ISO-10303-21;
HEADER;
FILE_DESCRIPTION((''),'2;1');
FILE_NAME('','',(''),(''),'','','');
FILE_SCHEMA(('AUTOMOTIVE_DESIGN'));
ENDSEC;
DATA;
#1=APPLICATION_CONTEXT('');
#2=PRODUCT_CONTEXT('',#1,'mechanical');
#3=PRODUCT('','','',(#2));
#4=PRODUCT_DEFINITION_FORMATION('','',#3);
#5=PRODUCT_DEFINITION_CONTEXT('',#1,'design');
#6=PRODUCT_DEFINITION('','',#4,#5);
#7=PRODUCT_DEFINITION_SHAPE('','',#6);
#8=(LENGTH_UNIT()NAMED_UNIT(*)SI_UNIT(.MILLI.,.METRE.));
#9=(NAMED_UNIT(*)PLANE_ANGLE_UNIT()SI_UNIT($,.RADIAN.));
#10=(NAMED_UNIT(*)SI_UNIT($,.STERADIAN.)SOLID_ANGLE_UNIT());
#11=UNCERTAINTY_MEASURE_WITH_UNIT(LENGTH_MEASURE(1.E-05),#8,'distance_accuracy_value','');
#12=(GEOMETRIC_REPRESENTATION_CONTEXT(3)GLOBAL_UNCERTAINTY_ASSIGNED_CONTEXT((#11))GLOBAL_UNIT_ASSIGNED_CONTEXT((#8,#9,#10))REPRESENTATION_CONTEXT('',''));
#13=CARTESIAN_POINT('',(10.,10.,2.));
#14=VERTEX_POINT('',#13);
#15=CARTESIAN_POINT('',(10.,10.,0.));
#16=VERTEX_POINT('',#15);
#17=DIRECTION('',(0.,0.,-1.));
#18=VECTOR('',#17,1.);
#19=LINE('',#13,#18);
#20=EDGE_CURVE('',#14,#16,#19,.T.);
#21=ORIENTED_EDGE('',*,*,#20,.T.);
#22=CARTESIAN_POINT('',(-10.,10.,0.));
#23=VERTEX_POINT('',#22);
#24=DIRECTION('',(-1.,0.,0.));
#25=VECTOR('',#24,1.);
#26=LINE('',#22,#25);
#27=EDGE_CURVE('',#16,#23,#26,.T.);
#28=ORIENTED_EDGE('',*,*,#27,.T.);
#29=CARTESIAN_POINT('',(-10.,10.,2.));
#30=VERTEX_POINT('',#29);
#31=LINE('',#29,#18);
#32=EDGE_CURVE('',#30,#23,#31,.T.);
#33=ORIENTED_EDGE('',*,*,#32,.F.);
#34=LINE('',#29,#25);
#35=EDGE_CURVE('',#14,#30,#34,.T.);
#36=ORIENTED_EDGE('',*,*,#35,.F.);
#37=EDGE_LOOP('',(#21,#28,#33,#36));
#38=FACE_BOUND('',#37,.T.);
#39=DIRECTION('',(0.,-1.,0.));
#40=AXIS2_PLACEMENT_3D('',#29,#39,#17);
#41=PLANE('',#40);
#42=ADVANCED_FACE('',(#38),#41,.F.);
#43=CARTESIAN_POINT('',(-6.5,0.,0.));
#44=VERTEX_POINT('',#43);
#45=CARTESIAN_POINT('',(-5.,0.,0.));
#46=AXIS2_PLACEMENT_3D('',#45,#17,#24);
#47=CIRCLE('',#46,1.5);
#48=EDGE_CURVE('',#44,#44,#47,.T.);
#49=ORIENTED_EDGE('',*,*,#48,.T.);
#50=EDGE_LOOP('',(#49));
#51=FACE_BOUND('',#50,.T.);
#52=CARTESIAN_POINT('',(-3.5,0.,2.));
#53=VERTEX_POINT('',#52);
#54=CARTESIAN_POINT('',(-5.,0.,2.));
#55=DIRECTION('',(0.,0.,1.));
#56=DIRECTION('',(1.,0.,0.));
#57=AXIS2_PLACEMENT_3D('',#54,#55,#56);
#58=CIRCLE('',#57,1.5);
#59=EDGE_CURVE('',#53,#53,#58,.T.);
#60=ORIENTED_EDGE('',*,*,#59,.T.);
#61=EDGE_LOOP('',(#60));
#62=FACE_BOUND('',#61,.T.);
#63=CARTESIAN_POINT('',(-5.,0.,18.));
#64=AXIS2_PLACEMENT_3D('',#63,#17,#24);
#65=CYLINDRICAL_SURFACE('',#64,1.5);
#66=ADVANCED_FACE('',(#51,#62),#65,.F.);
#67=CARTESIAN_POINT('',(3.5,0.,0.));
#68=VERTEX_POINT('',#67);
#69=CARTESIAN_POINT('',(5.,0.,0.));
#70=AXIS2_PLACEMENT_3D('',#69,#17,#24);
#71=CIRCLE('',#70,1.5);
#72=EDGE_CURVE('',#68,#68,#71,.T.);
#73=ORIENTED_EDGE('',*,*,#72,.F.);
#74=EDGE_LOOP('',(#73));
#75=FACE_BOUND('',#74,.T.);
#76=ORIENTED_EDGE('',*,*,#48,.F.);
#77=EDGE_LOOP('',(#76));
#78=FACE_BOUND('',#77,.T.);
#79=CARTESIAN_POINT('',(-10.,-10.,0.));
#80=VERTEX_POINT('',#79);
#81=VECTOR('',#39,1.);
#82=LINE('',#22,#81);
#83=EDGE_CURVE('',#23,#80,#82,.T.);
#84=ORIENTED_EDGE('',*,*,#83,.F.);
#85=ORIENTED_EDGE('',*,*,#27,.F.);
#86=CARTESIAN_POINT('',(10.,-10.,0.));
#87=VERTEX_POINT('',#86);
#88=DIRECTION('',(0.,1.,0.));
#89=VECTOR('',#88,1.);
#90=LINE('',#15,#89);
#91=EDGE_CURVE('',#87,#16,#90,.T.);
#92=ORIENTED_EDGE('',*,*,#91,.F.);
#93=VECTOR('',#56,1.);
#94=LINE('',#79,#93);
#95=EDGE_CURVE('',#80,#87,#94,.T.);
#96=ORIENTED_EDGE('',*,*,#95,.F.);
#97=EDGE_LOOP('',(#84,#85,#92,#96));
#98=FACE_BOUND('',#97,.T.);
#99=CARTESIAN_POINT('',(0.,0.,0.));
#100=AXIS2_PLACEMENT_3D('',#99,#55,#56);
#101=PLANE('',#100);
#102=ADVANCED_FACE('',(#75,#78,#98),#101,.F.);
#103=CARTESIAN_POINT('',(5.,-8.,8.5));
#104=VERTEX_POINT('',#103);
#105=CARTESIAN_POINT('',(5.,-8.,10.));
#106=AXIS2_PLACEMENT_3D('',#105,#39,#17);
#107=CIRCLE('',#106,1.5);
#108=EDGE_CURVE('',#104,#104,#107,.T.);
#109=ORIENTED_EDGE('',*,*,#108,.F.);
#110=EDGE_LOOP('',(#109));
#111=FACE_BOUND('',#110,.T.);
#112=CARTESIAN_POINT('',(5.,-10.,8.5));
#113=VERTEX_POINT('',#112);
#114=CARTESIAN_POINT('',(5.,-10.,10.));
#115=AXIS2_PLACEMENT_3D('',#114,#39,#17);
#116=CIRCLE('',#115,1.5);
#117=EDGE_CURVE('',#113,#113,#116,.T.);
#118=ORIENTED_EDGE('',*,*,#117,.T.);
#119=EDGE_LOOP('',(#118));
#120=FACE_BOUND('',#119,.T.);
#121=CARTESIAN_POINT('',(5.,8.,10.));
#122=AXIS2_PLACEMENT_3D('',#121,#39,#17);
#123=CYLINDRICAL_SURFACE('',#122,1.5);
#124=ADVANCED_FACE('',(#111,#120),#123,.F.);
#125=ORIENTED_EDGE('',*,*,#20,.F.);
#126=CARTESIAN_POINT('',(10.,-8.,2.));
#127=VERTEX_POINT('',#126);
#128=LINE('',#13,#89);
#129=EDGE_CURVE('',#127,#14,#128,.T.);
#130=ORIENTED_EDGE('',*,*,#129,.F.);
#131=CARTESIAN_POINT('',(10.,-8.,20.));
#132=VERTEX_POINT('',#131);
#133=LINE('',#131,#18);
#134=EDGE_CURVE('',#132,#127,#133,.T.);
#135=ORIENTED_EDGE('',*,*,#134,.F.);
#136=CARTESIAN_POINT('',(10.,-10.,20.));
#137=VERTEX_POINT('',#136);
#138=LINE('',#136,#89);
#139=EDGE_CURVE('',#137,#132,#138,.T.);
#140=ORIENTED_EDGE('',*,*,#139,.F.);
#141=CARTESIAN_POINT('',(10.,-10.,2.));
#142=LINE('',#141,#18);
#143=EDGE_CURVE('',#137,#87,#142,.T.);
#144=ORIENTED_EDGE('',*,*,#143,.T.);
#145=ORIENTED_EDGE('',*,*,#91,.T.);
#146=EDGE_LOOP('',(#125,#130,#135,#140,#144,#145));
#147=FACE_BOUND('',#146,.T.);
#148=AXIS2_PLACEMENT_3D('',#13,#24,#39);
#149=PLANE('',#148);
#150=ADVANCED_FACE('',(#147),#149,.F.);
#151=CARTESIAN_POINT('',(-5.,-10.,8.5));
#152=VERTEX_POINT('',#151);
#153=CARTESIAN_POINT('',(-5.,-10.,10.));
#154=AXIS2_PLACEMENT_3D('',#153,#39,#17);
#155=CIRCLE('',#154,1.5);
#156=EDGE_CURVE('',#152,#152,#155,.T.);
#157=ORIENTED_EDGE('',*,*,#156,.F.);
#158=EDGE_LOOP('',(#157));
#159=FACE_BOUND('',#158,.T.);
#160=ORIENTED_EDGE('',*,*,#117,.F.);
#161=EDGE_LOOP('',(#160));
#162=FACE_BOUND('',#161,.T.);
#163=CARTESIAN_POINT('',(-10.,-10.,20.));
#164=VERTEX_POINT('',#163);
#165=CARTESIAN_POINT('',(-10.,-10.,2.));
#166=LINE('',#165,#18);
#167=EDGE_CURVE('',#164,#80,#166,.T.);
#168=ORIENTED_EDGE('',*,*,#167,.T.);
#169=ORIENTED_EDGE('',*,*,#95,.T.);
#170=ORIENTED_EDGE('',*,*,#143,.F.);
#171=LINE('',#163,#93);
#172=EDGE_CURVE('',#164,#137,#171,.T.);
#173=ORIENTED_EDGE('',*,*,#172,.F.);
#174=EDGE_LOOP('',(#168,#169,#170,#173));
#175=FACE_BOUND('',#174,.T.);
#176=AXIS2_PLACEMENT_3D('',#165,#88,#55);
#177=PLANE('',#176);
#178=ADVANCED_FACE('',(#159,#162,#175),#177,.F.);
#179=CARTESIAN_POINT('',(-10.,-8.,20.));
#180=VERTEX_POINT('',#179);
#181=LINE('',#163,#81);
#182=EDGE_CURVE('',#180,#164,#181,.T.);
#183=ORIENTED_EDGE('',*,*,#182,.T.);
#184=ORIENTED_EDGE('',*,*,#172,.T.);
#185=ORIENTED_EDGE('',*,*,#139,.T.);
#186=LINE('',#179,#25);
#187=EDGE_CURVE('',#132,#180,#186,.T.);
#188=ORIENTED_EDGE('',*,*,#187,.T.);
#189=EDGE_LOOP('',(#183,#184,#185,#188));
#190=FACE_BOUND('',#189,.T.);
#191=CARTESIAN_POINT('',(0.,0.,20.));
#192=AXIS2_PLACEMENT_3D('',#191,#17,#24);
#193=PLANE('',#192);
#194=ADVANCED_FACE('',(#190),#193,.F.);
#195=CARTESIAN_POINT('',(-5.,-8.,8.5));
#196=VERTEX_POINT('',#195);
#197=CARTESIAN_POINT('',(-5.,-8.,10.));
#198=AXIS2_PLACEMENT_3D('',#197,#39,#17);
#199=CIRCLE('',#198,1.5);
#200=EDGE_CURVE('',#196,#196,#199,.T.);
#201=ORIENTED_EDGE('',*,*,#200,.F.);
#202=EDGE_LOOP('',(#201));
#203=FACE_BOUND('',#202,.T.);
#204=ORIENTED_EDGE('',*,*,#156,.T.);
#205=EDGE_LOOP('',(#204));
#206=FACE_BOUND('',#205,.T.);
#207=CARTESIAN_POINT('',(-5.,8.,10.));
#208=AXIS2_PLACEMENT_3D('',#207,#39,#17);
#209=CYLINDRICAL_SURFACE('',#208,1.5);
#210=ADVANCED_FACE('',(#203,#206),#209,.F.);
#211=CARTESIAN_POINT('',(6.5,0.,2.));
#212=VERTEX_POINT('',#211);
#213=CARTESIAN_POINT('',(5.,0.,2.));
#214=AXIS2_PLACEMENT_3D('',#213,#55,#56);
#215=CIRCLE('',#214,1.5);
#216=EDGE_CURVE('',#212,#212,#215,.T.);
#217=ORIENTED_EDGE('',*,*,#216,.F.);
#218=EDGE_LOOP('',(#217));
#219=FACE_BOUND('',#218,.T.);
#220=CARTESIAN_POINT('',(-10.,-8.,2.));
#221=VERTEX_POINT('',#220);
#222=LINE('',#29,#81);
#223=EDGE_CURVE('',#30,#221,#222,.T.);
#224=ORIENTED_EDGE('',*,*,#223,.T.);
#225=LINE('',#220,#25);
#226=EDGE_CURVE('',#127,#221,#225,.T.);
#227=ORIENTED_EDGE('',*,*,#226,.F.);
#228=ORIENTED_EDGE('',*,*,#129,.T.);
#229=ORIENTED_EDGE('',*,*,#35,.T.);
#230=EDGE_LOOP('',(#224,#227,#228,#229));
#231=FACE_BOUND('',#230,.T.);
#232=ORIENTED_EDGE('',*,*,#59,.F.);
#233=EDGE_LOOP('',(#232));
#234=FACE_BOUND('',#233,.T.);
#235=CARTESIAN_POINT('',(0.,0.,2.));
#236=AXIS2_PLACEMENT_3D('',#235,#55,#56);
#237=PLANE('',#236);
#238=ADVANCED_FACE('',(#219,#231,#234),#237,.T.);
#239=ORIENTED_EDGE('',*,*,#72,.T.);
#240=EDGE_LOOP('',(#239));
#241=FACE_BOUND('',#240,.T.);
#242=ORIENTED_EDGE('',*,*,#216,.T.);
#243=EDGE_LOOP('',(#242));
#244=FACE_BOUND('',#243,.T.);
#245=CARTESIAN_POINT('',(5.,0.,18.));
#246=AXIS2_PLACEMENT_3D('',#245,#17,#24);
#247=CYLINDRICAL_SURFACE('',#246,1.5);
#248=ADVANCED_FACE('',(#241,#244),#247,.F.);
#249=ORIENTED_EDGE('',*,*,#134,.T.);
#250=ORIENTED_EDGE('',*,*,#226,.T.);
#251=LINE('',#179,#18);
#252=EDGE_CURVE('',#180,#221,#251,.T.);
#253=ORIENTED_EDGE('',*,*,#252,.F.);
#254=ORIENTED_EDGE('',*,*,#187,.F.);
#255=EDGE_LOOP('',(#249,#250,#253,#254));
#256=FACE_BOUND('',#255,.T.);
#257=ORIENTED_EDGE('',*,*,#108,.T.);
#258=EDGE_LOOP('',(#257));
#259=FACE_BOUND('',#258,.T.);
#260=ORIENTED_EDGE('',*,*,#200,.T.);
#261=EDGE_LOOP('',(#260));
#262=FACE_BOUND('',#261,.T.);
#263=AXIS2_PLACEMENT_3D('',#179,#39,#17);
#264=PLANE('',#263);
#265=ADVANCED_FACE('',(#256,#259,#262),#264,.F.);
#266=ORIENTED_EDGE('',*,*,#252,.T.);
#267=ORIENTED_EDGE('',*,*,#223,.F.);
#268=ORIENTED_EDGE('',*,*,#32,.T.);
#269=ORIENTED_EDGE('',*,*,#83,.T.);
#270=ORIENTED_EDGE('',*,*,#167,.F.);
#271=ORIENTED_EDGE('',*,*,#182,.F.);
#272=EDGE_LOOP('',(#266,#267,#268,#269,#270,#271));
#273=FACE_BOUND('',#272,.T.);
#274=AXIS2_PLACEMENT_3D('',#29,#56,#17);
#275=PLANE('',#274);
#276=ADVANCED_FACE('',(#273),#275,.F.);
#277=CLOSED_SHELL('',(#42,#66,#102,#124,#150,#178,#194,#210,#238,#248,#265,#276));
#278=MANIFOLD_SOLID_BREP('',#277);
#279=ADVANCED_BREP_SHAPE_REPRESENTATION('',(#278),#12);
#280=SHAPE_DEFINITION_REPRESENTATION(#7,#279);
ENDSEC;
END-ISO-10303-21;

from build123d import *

# Parameters (mm, degrees)
SKETCH_1_W          = 20
SKETCH_1_H          = 20
EXTRUDE_1_DEPTH     = 2
SKETCH_2_W          = 20
SKETCH_2_H          = 2
EXTRUDE_2_DEPTH     = 18
SKETCH_4_R          = 1.5
CUT_EXTRUDE_1_DEPTH = 18
SKETCH_6_R          = 1.5
CUT_EXTRUDE_2_DEPTH = 18


with BuildPart() as part:
    # 草图1 → 凸台-拉伸1 (new body)
    with BuildSketch(Plane.XY):
        Rectangle(SKETCH_1_W, SKETCH_1_H)
    extrude(amount=EXTRUDE_1_DEPTH)

    # 草图2 → 凸台-拉伸2 (add)
    with BuildSketch(Plane.XY.offset(2)):
        with Locations((0, -9)):
            Rectangle(SKETCH_2_W, SKETCH_2_H)
    extrude(amount=EXTRUDE_2_DEPTH)

    # 草图4 → 切除-拉伸1 (cut)
    with BuildSketch(Plane.XZ.offset(10)):
        with Locations((-5, 10)):
            Circle(SKETCH_4_R)
        with Locations((5, 10)):
            Circle(SKETCH_4_R)
    extrude(amount=-CUT_EXTRUDE_1_DEPTH, mode=Mode.SUBTRACT)

    # 草图6 → 切除-拉伸2 (cut)
    with BuildSketch(Plane(origin=(0, 0, 0), x_dir=(-1, 0, 0), z_dir=(0, 0, -1))):
        with Locations((5, 0)):
            Circle(SKETCH_6_R)
        with Locations((-5, 0)):
            Circle(SKETCH_6_R)
    extrude(amount=-CUT_EXTRUDE_2_DEPTH, mode=Mode.SUBTRACT)


solid = part.part
